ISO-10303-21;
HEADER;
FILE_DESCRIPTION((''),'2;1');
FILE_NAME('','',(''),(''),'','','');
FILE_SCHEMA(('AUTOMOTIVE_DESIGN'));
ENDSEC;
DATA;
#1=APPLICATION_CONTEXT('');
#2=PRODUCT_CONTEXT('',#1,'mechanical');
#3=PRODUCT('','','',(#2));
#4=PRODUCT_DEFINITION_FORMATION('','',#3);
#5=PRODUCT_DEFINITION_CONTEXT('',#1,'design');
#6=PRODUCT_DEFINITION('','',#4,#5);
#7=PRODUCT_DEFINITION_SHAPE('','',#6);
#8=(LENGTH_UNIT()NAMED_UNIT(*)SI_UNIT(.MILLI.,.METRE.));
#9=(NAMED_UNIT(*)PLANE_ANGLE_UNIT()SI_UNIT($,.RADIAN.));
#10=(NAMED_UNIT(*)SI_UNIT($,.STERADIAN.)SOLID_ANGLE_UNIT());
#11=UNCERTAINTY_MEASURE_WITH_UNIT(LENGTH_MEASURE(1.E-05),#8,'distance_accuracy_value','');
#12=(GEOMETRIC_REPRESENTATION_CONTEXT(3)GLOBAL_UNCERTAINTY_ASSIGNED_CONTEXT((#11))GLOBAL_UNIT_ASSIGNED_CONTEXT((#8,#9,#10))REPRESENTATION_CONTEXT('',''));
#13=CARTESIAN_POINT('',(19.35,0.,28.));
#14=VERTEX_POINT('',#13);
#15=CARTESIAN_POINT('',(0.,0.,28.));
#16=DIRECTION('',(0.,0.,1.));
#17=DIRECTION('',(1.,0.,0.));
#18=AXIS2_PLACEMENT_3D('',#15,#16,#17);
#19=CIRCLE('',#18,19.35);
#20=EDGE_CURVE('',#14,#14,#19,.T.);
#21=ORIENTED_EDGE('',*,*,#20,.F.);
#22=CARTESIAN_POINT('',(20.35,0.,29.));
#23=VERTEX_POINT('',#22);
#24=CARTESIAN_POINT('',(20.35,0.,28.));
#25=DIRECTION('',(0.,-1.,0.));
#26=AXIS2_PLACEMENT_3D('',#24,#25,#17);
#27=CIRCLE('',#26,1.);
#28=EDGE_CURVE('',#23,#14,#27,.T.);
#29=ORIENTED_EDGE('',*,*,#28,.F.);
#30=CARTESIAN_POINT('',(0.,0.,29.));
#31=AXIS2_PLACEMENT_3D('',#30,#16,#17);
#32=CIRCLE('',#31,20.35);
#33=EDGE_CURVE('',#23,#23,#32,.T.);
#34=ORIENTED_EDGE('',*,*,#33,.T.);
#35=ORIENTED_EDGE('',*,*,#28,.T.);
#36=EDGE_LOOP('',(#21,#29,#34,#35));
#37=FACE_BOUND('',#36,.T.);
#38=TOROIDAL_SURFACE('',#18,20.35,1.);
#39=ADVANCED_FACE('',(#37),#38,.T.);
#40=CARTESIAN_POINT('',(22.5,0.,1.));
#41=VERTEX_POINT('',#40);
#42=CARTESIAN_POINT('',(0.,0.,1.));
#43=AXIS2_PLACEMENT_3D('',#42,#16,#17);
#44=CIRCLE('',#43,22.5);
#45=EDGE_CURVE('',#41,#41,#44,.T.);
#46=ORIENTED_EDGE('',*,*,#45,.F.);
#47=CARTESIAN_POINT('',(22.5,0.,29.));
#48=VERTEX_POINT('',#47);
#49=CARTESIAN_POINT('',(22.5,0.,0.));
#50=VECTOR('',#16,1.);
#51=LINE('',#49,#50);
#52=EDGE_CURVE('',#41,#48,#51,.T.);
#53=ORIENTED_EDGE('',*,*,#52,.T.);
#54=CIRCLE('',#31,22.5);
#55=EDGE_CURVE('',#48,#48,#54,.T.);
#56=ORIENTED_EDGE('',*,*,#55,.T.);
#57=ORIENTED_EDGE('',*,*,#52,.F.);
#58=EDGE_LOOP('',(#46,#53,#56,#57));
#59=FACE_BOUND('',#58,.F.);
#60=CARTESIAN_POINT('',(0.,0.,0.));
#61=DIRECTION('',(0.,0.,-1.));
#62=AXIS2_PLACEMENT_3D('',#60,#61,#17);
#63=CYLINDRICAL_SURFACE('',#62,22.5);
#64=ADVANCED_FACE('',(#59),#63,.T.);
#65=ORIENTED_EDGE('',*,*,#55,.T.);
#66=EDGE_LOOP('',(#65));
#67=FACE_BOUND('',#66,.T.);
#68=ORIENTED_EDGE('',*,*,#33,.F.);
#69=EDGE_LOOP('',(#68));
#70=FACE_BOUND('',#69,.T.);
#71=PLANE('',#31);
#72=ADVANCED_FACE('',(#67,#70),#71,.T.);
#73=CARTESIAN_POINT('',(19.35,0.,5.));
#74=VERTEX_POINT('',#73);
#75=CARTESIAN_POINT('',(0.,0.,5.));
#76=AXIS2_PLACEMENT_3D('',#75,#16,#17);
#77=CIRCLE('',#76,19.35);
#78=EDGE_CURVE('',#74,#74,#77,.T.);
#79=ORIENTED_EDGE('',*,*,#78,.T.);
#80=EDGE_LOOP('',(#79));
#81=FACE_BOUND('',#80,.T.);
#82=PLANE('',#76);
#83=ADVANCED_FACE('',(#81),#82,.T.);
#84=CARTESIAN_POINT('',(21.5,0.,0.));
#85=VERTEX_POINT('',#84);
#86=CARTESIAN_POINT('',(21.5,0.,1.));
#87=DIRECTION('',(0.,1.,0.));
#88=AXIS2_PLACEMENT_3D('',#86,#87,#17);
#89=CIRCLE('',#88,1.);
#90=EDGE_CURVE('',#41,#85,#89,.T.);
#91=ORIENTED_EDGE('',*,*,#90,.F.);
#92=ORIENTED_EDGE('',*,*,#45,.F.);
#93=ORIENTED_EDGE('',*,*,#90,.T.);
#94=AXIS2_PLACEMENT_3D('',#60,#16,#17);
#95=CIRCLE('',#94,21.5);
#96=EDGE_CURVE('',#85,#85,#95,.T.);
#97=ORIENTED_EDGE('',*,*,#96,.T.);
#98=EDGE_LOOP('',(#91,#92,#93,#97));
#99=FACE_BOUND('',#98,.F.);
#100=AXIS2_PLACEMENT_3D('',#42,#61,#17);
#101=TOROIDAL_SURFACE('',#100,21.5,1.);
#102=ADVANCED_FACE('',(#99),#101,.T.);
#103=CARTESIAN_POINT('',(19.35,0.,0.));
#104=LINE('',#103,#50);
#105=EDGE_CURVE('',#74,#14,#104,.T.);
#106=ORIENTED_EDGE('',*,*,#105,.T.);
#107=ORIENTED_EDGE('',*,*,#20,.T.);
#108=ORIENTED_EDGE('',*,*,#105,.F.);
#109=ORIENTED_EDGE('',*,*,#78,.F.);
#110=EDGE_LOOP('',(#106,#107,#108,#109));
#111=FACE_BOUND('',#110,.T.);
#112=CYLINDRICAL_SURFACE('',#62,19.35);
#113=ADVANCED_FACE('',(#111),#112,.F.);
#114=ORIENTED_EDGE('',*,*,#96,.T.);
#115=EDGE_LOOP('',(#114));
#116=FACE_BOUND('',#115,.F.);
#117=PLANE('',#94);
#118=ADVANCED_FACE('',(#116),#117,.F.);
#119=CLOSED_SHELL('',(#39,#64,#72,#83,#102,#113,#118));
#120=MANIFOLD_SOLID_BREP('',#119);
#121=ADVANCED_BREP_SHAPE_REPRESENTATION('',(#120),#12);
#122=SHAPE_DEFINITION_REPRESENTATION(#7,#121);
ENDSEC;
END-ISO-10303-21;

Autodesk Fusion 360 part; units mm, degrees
sketch "Sketch1" plane through (0, 0, 0) normal (0, 0, 1) x (1, 0, 0)
  circle A0 centre (0, 0) radius 22.5
  circle A1 centre (0, 0) radius 19.35
  dimension "d1" = 45
  dimension "d2" = 38.7
extrude "Extrude1" add sketch "Sketch1" along normal blind 5 contours A1
extrude "Extrude2" add sketch "Sketch1" along normal blind 29
fillet "Fillet1" radius 1 1 edges at (-18.0405, 6.9973, 29)
fillet "Fillet2" radius 1 1 edges at (-20.9774, -8.1363, 0)
